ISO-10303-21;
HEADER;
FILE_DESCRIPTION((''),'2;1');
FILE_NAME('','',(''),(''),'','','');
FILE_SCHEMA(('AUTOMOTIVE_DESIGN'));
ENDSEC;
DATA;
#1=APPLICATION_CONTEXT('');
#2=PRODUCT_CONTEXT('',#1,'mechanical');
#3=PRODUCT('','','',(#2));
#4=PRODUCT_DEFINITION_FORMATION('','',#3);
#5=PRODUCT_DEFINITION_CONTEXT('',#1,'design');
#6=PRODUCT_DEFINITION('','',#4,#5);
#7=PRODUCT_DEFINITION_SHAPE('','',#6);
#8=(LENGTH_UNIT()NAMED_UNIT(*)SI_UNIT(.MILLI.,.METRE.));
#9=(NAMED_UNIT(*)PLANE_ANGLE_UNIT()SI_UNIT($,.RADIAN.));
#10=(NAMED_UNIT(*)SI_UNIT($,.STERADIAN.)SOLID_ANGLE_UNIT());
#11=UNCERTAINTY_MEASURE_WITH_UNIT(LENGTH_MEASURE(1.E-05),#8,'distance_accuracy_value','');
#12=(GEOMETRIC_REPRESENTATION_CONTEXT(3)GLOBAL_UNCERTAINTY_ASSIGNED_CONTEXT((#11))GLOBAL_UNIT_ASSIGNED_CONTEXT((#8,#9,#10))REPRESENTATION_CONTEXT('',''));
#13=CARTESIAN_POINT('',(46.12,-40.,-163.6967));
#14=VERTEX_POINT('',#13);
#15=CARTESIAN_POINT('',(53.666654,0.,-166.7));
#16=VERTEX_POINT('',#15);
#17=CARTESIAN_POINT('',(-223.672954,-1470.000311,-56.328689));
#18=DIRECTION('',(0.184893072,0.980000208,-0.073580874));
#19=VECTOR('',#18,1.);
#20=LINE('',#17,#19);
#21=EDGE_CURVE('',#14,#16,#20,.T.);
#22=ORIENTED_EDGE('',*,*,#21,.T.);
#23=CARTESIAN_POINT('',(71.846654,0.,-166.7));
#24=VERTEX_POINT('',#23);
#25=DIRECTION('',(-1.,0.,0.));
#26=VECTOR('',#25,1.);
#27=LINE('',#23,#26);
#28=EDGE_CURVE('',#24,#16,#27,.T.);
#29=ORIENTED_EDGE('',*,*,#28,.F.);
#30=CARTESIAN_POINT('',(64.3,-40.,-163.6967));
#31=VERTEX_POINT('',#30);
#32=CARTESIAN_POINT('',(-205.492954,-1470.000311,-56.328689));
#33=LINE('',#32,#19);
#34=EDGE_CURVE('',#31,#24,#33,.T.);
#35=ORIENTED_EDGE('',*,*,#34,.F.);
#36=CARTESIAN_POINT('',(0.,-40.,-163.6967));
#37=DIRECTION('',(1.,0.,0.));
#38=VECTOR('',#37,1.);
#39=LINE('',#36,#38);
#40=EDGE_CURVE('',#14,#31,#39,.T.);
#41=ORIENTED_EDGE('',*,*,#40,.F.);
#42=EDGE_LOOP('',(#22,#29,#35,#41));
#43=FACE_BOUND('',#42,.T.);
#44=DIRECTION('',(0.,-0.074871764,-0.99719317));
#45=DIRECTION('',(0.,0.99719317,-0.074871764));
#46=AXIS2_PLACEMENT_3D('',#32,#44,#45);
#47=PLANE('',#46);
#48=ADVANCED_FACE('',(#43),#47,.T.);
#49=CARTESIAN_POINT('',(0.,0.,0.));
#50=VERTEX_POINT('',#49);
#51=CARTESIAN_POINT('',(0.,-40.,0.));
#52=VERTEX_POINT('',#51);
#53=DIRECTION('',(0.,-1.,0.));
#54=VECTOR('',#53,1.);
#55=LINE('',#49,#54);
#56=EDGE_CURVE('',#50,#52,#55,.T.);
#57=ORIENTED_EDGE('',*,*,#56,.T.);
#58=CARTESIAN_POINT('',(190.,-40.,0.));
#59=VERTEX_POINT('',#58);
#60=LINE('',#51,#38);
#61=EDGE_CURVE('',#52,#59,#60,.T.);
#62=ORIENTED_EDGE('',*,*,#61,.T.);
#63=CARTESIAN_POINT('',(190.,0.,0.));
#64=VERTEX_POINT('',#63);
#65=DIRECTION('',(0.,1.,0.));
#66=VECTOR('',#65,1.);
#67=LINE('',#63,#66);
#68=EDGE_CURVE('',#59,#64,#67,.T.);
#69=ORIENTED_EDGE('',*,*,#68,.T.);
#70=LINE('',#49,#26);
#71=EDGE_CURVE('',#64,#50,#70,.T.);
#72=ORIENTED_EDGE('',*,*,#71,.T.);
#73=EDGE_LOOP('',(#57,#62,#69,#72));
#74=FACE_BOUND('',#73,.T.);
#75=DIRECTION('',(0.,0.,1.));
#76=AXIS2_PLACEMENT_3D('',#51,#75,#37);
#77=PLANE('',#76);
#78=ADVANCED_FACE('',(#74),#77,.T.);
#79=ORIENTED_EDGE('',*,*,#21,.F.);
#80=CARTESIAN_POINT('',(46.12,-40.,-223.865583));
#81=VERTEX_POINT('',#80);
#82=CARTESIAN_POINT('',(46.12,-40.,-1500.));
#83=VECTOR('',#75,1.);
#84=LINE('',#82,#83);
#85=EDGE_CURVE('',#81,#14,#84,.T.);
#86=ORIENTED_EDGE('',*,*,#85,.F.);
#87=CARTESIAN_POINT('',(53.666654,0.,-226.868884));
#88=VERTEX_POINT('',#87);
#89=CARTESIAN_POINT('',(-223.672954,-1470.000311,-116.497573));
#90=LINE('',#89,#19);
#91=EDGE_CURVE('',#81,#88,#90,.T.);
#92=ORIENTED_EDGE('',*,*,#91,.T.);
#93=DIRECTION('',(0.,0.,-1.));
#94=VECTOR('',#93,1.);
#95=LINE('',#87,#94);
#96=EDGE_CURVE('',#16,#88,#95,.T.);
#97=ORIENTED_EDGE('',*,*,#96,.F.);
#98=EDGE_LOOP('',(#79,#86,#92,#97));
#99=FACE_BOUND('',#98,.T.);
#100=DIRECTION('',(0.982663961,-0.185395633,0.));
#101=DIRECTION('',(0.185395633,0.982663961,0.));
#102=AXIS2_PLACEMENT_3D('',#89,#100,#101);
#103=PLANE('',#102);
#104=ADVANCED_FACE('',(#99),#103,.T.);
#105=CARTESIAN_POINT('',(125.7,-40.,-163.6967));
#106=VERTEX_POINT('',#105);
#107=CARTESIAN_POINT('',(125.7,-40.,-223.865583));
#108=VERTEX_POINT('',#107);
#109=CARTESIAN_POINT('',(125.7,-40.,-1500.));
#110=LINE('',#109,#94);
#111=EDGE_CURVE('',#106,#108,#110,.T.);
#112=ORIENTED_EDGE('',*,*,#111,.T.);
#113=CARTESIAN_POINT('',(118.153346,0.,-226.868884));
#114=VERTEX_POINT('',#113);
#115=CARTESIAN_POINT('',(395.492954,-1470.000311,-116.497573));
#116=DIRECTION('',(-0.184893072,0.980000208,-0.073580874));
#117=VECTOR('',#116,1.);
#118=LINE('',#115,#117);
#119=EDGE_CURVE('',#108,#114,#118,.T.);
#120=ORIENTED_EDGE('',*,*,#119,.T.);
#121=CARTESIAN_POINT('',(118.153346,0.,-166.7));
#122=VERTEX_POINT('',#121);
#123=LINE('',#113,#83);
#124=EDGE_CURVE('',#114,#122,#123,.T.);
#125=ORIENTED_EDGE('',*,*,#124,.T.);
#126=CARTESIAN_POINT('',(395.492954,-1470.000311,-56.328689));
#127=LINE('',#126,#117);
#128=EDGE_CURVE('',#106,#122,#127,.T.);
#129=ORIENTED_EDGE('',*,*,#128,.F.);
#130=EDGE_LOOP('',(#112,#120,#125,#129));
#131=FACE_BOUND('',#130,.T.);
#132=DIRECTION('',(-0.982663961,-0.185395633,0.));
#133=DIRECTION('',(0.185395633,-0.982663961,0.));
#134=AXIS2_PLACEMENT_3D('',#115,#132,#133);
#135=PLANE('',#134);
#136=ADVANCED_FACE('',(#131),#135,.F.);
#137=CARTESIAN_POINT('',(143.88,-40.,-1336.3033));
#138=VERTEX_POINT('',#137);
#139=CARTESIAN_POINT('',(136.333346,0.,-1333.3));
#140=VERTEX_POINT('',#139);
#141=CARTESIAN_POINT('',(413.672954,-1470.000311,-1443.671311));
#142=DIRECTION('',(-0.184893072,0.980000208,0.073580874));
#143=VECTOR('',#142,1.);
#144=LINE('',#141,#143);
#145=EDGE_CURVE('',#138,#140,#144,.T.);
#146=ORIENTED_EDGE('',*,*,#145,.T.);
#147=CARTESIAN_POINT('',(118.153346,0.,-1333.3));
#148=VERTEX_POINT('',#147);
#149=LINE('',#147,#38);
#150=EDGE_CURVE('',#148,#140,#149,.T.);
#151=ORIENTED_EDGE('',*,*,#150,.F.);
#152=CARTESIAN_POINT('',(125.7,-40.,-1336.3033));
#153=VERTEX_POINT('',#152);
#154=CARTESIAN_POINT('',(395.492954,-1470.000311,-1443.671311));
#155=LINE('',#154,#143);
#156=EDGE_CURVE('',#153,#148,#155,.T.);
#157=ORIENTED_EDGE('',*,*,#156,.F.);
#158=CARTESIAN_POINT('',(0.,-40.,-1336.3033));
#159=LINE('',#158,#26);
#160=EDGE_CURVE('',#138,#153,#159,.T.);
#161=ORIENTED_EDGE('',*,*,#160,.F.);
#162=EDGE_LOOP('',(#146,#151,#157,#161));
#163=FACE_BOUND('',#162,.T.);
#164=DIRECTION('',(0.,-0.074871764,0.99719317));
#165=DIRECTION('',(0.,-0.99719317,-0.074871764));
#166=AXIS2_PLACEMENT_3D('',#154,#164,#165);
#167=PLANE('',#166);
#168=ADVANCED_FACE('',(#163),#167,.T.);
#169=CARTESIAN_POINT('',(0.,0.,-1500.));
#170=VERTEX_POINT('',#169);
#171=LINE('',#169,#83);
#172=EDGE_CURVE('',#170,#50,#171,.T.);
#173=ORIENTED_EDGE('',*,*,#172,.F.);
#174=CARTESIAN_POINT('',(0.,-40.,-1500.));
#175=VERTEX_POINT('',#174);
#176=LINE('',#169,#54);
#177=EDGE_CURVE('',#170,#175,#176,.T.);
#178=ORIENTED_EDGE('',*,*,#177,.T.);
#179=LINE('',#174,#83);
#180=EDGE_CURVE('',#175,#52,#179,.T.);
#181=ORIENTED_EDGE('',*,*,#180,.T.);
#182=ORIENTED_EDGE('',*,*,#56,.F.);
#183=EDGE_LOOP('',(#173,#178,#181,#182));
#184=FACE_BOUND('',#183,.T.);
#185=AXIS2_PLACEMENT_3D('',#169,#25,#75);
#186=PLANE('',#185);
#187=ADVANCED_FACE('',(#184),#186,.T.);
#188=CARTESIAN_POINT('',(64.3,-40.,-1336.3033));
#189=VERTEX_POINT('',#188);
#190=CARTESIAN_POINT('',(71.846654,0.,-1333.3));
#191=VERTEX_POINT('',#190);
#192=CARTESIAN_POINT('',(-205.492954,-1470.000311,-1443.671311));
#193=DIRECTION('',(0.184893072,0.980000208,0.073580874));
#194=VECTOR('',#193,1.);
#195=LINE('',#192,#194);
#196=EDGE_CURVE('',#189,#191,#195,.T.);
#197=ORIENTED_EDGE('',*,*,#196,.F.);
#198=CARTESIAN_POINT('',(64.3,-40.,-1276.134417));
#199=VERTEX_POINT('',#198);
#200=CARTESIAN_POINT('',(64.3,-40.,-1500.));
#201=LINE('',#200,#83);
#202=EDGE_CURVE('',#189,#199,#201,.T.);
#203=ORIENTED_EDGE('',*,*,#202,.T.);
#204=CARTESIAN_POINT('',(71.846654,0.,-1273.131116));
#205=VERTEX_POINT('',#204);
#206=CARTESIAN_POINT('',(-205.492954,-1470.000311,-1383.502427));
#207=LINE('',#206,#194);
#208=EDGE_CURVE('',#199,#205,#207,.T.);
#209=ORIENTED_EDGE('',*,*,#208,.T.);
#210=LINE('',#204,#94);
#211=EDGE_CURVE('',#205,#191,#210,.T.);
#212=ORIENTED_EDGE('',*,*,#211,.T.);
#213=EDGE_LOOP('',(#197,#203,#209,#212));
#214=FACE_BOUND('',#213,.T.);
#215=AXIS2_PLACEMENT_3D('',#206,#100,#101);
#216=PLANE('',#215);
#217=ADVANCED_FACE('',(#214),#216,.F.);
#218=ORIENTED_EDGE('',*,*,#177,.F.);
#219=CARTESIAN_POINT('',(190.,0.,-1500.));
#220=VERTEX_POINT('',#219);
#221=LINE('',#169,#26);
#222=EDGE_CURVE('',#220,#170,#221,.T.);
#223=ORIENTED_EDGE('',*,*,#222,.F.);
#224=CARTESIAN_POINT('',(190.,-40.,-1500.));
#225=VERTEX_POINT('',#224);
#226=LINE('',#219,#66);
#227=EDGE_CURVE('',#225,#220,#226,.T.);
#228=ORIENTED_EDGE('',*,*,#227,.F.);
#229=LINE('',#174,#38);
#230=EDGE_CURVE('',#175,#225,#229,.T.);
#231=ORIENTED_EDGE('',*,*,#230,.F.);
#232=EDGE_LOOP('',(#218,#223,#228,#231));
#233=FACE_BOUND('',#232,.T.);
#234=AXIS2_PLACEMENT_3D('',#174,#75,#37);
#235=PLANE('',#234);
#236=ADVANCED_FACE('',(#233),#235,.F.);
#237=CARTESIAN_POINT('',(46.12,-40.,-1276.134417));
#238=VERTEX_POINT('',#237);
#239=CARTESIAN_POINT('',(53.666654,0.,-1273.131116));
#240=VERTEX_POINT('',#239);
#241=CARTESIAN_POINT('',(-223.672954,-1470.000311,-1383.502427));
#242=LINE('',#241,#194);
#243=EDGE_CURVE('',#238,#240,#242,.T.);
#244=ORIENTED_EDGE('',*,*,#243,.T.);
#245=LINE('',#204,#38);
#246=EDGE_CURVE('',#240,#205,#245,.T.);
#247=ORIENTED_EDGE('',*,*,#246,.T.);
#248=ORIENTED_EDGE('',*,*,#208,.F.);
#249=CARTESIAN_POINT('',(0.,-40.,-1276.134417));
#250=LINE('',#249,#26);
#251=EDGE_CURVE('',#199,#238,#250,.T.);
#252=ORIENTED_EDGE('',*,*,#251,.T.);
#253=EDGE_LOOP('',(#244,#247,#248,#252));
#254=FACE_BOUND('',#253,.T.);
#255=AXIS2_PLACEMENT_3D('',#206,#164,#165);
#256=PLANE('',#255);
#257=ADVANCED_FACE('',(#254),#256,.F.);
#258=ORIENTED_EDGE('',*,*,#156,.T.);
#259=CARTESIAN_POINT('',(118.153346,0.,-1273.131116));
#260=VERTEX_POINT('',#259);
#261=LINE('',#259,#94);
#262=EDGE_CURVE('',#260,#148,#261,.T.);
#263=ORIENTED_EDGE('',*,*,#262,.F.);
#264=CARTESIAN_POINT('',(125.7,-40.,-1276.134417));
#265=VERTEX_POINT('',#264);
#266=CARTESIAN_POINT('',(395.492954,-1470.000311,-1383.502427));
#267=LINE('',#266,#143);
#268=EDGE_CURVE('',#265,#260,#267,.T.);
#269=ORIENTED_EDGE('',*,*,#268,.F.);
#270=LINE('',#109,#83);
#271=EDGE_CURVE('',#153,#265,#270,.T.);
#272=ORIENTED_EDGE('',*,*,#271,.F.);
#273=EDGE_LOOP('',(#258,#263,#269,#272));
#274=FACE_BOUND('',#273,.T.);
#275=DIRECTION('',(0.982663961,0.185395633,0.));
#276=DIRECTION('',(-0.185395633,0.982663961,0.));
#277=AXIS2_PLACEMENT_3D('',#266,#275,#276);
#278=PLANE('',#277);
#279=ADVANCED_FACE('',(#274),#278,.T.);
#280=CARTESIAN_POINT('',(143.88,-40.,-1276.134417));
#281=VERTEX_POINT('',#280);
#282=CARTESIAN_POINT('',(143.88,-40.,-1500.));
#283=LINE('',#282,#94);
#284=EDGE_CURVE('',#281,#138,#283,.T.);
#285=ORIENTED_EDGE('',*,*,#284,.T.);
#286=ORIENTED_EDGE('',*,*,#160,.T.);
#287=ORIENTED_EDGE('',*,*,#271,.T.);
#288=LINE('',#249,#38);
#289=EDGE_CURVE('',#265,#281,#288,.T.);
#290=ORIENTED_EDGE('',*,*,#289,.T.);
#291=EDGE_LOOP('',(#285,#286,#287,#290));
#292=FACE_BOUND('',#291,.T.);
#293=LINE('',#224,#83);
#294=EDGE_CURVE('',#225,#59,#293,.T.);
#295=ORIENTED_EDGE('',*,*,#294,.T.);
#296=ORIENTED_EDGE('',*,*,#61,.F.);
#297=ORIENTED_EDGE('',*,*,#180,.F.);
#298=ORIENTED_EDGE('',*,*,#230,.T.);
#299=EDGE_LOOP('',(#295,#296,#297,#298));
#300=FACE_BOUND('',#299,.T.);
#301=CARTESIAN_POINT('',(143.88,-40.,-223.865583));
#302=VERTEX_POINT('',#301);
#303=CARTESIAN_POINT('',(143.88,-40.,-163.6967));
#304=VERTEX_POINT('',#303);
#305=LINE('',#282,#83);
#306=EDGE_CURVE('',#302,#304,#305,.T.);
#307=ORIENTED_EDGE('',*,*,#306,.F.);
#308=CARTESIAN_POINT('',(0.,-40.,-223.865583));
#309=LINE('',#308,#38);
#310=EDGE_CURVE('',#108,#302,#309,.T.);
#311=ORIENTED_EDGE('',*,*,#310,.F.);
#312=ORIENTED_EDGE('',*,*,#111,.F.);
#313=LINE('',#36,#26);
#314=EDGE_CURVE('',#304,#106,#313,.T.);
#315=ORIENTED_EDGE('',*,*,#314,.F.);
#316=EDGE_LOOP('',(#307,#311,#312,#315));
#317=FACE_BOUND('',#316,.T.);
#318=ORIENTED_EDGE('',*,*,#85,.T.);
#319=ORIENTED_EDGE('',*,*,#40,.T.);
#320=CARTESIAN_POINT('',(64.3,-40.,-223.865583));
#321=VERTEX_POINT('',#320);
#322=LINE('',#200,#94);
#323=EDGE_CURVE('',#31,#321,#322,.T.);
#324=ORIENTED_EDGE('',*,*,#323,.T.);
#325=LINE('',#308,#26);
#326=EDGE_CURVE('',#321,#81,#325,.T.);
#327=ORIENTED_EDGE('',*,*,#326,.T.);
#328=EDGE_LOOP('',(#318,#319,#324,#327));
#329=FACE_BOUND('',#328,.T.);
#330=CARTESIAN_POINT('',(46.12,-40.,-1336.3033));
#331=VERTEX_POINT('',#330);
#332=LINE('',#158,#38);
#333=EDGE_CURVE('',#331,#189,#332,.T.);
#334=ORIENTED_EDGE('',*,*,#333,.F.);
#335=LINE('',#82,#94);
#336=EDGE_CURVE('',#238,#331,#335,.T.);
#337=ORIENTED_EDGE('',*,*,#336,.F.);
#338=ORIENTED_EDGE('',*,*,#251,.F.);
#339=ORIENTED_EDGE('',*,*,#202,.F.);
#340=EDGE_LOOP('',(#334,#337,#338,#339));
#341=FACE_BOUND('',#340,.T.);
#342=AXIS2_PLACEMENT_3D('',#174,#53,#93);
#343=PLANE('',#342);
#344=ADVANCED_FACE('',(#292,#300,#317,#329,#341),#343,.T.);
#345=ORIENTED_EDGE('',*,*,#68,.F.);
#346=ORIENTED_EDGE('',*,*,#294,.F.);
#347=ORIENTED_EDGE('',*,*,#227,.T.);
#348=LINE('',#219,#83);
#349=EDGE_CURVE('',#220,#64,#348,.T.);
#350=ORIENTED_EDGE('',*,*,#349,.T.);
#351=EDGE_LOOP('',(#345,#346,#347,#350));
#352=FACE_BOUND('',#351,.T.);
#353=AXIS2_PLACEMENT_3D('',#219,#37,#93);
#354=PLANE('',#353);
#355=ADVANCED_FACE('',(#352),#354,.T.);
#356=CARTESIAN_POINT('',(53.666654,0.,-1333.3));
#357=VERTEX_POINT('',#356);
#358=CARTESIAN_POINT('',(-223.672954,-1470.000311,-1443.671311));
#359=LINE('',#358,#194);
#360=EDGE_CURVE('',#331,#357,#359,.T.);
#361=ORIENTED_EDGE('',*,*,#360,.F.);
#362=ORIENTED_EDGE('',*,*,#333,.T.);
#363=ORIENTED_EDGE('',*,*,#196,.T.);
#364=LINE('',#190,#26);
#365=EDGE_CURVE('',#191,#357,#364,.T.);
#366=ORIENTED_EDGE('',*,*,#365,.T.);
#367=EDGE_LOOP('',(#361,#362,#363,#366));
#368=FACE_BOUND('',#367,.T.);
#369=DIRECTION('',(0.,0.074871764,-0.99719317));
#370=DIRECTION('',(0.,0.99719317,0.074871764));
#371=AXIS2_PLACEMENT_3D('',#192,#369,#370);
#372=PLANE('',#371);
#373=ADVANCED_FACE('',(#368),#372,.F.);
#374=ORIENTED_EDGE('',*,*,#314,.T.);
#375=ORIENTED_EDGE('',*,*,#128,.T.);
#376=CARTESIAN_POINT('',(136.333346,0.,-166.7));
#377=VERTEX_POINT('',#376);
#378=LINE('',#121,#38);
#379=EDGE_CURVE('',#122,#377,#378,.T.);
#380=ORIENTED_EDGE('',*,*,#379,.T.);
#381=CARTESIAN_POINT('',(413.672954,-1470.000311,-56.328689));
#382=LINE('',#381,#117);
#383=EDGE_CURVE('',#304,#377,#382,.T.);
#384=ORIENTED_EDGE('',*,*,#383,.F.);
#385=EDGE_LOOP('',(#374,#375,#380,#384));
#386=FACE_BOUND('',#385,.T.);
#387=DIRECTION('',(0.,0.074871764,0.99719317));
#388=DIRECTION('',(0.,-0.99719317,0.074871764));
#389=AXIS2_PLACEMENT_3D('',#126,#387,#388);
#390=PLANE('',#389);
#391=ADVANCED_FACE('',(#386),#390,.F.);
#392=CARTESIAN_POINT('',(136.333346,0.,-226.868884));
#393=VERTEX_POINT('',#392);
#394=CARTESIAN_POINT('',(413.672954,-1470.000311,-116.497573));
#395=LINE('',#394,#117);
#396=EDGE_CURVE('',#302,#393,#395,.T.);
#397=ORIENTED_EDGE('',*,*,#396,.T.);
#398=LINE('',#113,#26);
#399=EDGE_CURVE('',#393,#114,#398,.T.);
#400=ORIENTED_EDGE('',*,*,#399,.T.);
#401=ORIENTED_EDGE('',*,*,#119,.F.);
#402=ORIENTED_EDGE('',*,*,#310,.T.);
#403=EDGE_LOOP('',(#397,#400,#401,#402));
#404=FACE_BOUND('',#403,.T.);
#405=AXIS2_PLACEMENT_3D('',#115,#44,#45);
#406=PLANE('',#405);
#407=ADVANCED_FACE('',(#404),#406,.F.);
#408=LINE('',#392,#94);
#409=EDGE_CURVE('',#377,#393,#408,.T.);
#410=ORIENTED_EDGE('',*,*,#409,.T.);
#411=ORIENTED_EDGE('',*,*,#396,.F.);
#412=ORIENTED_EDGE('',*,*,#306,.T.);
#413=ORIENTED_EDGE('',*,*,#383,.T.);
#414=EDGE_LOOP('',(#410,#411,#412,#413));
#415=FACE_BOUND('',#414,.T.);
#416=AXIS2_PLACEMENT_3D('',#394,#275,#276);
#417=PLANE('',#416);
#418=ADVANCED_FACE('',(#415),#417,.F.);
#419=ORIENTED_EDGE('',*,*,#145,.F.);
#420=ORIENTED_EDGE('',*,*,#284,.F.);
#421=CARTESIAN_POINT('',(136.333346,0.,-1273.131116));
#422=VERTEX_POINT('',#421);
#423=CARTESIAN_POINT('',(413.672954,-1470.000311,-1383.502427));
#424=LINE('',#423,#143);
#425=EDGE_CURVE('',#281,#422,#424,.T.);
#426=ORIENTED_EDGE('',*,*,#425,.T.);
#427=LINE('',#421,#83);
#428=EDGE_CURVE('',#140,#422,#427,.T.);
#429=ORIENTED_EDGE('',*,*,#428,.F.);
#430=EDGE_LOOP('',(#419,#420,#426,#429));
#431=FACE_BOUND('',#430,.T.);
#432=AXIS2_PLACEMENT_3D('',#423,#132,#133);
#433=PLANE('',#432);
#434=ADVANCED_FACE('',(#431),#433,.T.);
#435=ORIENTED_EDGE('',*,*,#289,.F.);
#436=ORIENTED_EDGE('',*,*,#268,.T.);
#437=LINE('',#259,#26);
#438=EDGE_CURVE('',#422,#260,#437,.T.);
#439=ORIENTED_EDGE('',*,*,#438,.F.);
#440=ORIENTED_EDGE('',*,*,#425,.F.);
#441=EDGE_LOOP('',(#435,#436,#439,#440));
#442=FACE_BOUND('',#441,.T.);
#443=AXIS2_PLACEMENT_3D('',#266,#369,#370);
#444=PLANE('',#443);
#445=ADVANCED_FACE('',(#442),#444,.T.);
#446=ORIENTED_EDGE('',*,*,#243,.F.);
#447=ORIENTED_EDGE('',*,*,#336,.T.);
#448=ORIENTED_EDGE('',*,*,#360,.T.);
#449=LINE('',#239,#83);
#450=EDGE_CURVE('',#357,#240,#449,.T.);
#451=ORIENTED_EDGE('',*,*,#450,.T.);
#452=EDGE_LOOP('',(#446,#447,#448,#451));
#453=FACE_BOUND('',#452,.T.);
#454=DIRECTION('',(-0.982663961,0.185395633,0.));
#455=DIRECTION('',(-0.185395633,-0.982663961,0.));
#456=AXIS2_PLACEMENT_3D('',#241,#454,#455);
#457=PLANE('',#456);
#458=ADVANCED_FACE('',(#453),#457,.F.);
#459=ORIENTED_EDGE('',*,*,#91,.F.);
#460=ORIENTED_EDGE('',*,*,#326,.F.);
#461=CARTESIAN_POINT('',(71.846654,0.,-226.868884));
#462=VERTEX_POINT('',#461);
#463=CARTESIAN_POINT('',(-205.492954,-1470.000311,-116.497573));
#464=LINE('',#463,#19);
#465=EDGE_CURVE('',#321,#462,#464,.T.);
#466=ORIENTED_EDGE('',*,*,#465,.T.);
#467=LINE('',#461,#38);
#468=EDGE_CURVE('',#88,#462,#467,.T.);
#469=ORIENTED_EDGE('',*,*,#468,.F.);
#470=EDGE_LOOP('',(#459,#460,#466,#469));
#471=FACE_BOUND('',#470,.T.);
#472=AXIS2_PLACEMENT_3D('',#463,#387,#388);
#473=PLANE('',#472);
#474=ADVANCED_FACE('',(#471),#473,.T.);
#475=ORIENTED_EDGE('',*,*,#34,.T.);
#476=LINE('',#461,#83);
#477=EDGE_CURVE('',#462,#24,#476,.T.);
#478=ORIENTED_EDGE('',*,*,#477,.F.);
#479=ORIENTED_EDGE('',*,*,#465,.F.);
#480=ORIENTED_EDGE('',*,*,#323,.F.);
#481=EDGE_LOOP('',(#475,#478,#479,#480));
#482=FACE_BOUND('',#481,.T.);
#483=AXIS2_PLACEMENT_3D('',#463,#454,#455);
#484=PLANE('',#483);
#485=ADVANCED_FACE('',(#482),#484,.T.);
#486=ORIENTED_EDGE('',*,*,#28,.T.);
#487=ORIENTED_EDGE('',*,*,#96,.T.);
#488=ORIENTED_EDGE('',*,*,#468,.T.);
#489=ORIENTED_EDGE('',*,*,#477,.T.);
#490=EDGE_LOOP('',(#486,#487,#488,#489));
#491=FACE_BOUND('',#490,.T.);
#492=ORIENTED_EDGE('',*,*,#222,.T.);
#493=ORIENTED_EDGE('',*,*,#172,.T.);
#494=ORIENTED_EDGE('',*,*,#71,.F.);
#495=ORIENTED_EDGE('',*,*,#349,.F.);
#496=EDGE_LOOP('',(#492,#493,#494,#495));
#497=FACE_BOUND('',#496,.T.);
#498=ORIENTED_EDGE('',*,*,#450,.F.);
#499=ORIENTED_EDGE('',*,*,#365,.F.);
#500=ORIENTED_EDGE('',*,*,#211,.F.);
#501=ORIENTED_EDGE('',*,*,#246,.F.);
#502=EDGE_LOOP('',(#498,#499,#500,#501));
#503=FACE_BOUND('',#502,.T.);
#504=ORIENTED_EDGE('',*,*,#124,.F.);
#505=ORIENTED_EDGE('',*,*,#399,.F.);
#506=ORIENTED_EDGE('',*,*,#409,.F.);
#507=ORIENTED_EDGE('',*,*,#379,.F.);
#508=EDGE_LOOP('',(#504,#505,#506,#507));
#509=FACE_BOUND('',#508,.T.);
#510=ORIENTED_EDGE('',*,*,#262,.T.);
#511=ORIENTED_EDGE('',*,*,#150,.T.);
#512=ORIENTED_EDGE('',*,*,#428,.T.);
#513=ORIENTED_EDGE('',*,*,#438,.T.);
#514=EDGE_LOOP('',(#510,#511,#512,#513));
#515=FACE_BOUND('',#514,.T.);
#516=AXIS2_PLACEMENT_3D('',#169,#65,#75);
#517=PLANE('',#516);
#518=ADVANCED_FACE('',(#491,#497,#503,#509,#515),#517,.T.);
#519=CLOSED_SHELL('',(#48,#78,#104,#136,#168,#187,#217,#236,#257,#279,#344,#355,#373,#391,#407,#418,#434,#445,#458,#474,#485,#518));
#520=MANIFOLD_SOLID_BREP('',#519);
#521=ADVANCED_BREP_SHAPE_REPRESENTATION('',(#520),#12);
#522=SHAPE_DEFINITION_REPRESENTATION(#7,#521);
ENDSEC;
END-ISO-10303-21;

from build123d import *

# Parameters (mm, degrees)
SKETCH_1_W               = 190
SKETCH_1_H               = 40
EXTRUDE_1_DEPTH          = 1500
SKETCH_4_W               = 18.18
SKETCH_4_H               = 60.16888381
CUT_EXTRUDE_1_DEPTH      = 1500
MIRROR_2_COPY_1_SKETCH_W = 18.18
MIRROR_2_COPY_1_SKETCH_H = 60.16888381
MIRROR_2_COPY_1_DEPTH    = 1500
MIRROR_2_COPY_2_SKETCH_W = 18.18
MIRROR_2_COPY_2_SKETCH_H = 60.16888381
MIRROR_2_COPY_2_DEPTH    = 1500


with BuildPart() as part:
    # 草圖1 → 填料-伸長1 (new body)
    with BuildSketch(Plane.XY):
        with Locations((95, -20)):
            Rectangle(SKETCH_1_W, SKETCH_1_H)
    extrude(amount=-EXTRUDE_1_DEPTH)

    # 草圖4 → 除料-伸長1 (cut, along a direction that is not the sketch's normal)
    with BuildSketch(Plane(origin=(0, 0, 0), x_dir=(1, 0, 0), z_dir=(0, 1, 0))):
        with Locations((127.243345581, 196.784441905)):
            Rectangle(SKETCH_4_W, SKETCH_4_H)
    cut_extrude_1 = extrude(amount=-CUT_EXTRUDE_1_DEPTH, dir=(-0.18489307241243372, 0.9800002075530074, -0.07358087366940451), mode=Mode.SUBTRACT)

    # 鏡射1: 除料-伸長1 across plane
    add(cut_extrude_1.mirror(Plane.XY.offset(-750)), mode=Mode.SUBTRACT)

    # 鏡射2 copy 1 sketch → 鏡射2 copy 1 (cut, along a direction that is not the sketch's normal)
    with BuildSketch(Plane(origin=(190, 0, -1500), x_dir=(-1, 0, 0), z_dir=(0, 1, 0))):
        with Locations((127.243345581, 196.784441905)):
            Rectangle(MIRROR_2_COPY_1_SKETCH_W, MIRROR_2_COPY_1_SKETCH_H)
    extrude(amount=-MIRROR_2_COPY_1_DEPTH, dir=(0.18489307241243372, 0.9800002075530074, 0.07358087366940451), mode=Mode.SUBTRACT)

    # 鏡射2 copy 2 sketch → 鏡射2 copy 2 (cut, along a direction that is not the sketch's normal)
    with BuildSketch(Plane(origin=(190, 0, 0), x_dir=(-1, 0, 0), z_dir=(0, 1, 0))):
        with Locations((127.243345581, -196.784441905)):
            Rectangle(MIRROR_2_COPY_2_SKETCH_W, MIRROR_2_COPY_2_SKETCH_H)
    extrude(amount=-MIRROR_2_COPY_2_DEPTH, dir=(0.18489307241243372, 0.9800002075530074, -0.07358087366940451), mode=Mode.SUBTRACT)


solid = part.part
